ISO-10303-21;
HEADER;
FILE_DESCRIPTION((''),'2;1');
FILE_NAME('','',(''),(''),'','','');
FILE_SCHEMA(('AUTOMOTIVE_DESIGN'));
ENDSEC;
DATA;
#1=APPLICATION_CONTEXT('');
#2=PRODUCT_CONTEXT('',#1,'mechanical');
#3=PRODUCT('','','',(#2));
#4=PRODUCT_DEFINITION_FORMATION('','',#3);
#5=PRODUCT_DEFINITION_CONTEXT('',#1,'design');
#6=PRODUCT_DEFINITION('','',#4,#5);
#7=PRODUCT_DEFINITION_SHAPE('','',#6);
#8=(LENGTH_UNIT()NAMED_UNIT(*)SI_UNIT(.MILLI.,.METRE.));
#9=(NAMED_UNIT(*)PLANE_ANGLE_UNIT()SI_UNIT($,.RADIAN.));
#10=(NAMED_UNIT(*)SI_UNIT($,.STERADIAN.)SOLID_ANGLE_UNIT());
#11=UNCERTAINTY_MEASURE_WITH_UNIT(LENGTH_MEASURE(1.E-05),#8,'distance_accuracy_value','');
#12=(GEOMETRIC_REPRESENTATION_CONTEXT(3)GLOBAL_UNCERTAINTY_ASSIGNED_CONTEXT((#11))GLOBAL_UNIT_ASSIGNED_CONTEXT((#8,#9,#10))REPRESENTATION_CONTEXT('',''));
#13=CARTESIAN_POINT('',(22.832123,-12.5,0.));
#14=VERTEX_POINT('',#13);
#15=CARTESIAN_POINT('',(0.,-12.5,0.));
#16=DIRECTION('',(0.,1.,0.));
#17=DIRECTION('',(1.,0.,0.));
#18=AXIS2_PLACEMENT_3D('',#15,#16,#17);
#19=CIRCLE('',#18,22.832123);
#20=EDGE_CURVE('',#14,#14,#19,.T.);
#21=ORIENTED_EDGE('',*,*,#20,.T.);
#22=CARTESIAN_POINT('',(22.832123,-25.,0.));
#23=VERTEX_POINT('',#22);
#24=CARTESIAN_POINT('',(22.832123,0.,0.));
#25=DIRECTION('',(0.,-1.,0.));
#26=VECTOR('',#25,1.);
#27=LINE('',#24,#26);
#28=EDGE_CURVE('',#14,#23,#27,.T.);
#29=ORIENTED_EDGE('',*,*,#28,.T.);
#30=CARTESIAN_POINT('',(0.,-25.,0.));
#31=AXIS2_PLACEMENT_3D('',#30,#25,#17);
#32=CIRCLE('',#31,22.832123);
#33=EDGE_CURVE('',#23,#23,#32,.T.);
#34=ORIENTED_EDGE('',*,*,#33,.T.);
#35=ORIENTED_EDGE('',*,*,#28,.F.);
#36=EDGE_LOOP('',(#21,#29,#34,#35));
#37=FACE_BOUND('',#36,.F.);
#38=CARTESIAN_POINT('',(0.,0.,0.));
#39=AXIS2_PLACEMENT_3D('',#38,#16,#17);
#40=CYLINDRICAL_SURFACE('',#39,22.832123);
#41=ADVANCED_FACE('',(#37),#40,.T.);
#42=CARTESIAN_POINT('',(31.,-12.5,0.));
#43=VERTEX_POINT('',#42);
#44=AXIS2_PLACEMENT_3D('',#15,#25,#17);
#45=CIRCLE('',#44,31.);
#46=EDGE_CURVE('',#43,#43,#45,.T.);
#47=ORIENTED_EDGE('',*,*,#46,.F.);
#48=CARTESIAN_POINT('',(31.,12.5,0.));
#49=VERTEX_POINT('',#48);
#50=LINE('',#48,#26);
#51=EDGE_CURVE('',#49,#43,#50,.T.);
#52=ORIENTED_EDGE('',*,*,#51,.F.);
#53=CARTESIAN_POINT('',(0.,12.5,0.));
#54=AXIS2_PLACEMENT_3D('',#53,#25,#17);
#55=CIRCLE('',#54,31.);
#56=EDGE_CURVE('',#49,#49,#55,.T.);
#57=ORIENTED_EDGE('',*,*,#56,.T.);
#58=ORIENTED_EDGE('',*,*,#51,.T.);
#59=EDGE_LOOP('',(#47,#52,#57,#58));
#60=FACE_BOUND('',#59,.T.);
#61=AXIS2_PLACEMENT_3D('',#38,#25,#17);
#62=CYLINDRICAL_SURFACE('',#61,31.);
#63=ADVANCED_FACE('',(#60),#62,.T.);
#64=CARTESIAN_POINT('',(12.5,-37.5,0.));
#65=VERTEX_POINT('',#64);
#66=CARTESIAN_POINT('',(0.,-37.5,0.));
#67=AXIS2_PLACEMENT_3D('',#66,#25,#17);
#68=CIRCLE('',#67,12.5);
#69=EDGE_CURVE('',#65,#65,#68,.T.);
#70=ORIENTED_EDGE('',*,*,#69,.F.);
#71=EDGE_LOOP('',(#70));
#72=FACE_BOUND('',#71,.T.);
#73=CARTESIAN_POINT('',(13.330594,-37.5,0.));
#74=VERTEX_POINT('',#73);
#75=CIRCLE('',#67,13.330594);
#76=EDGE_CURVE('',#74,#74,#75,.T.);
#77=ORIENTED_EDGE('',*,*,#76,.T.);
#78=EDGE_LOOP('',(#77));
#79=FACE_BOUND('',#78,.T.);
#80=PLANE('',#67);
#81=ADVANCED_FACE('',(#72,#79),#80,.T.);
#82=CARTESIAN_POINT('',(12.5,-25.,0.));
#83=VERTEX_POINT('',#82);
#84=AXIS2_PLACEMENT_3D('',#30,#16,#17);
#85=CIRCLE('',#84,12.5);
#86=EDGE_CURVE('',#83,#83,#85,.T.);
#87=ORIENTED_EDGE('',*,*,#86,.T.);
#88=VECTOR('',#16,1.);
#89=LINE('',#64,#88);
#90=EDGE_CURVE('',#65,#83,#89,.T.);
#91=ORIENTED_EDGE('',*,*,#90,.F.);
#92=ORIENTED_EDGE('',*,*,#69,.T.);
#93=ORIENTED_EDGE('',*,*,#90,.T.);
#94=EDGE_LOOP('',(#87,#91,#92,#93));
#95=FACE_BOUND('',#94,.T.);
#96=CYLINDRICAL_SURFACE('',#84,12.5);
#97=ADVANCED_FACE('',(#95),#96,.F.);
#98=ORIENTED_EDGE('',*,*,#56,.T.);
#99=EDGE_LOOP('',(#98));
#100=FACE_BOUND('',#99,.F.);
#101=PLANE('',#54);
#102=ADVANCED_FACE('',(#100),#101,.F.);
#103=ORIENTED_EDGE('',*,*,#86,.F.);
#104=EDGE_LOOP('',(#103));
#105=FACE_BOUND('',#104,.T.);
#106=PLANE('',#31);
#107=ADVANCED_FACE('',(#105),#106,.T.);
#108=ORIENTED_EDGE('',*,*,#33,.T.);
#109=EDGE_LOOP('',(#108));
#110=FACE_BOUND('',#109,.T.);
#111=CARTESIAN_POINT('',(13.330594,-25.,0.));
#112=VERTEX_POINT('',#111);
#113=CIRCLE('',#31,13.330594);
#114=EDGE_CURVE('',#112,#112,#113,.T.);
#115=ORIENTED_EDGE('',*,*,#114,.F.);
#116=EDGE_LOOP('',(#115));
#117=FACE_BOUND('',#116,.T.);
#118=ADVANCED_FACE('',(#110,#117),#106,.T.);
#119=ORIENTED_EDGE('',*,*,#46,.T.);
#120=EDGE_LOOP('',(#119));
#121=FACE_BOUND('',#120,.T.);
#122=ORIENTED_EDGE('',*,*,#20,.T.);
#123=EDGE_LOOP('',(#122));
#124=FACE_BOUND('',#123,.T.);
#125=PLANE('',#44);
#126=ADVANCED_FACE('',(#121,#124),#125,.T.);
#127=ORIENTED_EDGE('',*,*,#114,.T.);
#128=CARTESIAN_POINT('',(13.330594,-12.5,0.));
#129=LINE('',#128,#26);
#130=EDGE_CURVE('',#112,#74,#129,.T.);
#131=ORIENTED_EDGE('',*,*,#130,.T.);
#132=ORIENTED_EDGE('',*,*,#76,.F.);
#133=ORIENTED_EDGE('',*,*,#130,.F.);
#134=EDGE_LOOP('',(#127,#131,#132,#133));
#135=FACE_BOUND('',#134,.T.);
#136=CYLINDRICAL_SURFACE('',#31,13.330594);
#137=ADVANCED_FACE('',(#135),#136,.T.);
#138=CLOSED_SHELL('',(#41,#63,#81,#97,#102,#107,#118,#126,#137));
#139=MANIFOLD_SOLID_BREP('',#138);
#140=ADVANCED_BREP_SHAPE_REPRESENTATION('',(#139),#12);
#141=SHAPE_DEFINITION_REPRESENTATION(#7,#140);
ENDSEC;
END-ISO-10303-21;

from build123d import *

# Parameters (mm, degrees)
F0_R     = 31
F1_DEPTH = 12.5
F2_R     = 22.832123
F3_DEPTH = 25
F4_R     = 13.330594
F4_R_2   = 12.5
F5_DEPTH = 12.5


with BuildPart() as f1:
    # F0 (on Front) → F1 (new body, symmetric)
    with BuildSketch(Plane.XZ):
        Circle(F0_R)
    extrude(amount=F1_DEPTH, both=True)

    # F2 (on Front) → F3 (join)
    with BuildSketch(Plane.XZ):
        Circle(F2_R)
    extrude(amount=F3_DEPTH)

    # F4 (on face) → F5 (join, symmetric)
    with BuildSketch(Plane.XZ.offset(25)):
        Circle(F4_R)
        Circle(F4_R_2, mode=Mode.SUBTRACT)
    extrude(amount=F5_DEPTH, both=True)


solid = f1.part
